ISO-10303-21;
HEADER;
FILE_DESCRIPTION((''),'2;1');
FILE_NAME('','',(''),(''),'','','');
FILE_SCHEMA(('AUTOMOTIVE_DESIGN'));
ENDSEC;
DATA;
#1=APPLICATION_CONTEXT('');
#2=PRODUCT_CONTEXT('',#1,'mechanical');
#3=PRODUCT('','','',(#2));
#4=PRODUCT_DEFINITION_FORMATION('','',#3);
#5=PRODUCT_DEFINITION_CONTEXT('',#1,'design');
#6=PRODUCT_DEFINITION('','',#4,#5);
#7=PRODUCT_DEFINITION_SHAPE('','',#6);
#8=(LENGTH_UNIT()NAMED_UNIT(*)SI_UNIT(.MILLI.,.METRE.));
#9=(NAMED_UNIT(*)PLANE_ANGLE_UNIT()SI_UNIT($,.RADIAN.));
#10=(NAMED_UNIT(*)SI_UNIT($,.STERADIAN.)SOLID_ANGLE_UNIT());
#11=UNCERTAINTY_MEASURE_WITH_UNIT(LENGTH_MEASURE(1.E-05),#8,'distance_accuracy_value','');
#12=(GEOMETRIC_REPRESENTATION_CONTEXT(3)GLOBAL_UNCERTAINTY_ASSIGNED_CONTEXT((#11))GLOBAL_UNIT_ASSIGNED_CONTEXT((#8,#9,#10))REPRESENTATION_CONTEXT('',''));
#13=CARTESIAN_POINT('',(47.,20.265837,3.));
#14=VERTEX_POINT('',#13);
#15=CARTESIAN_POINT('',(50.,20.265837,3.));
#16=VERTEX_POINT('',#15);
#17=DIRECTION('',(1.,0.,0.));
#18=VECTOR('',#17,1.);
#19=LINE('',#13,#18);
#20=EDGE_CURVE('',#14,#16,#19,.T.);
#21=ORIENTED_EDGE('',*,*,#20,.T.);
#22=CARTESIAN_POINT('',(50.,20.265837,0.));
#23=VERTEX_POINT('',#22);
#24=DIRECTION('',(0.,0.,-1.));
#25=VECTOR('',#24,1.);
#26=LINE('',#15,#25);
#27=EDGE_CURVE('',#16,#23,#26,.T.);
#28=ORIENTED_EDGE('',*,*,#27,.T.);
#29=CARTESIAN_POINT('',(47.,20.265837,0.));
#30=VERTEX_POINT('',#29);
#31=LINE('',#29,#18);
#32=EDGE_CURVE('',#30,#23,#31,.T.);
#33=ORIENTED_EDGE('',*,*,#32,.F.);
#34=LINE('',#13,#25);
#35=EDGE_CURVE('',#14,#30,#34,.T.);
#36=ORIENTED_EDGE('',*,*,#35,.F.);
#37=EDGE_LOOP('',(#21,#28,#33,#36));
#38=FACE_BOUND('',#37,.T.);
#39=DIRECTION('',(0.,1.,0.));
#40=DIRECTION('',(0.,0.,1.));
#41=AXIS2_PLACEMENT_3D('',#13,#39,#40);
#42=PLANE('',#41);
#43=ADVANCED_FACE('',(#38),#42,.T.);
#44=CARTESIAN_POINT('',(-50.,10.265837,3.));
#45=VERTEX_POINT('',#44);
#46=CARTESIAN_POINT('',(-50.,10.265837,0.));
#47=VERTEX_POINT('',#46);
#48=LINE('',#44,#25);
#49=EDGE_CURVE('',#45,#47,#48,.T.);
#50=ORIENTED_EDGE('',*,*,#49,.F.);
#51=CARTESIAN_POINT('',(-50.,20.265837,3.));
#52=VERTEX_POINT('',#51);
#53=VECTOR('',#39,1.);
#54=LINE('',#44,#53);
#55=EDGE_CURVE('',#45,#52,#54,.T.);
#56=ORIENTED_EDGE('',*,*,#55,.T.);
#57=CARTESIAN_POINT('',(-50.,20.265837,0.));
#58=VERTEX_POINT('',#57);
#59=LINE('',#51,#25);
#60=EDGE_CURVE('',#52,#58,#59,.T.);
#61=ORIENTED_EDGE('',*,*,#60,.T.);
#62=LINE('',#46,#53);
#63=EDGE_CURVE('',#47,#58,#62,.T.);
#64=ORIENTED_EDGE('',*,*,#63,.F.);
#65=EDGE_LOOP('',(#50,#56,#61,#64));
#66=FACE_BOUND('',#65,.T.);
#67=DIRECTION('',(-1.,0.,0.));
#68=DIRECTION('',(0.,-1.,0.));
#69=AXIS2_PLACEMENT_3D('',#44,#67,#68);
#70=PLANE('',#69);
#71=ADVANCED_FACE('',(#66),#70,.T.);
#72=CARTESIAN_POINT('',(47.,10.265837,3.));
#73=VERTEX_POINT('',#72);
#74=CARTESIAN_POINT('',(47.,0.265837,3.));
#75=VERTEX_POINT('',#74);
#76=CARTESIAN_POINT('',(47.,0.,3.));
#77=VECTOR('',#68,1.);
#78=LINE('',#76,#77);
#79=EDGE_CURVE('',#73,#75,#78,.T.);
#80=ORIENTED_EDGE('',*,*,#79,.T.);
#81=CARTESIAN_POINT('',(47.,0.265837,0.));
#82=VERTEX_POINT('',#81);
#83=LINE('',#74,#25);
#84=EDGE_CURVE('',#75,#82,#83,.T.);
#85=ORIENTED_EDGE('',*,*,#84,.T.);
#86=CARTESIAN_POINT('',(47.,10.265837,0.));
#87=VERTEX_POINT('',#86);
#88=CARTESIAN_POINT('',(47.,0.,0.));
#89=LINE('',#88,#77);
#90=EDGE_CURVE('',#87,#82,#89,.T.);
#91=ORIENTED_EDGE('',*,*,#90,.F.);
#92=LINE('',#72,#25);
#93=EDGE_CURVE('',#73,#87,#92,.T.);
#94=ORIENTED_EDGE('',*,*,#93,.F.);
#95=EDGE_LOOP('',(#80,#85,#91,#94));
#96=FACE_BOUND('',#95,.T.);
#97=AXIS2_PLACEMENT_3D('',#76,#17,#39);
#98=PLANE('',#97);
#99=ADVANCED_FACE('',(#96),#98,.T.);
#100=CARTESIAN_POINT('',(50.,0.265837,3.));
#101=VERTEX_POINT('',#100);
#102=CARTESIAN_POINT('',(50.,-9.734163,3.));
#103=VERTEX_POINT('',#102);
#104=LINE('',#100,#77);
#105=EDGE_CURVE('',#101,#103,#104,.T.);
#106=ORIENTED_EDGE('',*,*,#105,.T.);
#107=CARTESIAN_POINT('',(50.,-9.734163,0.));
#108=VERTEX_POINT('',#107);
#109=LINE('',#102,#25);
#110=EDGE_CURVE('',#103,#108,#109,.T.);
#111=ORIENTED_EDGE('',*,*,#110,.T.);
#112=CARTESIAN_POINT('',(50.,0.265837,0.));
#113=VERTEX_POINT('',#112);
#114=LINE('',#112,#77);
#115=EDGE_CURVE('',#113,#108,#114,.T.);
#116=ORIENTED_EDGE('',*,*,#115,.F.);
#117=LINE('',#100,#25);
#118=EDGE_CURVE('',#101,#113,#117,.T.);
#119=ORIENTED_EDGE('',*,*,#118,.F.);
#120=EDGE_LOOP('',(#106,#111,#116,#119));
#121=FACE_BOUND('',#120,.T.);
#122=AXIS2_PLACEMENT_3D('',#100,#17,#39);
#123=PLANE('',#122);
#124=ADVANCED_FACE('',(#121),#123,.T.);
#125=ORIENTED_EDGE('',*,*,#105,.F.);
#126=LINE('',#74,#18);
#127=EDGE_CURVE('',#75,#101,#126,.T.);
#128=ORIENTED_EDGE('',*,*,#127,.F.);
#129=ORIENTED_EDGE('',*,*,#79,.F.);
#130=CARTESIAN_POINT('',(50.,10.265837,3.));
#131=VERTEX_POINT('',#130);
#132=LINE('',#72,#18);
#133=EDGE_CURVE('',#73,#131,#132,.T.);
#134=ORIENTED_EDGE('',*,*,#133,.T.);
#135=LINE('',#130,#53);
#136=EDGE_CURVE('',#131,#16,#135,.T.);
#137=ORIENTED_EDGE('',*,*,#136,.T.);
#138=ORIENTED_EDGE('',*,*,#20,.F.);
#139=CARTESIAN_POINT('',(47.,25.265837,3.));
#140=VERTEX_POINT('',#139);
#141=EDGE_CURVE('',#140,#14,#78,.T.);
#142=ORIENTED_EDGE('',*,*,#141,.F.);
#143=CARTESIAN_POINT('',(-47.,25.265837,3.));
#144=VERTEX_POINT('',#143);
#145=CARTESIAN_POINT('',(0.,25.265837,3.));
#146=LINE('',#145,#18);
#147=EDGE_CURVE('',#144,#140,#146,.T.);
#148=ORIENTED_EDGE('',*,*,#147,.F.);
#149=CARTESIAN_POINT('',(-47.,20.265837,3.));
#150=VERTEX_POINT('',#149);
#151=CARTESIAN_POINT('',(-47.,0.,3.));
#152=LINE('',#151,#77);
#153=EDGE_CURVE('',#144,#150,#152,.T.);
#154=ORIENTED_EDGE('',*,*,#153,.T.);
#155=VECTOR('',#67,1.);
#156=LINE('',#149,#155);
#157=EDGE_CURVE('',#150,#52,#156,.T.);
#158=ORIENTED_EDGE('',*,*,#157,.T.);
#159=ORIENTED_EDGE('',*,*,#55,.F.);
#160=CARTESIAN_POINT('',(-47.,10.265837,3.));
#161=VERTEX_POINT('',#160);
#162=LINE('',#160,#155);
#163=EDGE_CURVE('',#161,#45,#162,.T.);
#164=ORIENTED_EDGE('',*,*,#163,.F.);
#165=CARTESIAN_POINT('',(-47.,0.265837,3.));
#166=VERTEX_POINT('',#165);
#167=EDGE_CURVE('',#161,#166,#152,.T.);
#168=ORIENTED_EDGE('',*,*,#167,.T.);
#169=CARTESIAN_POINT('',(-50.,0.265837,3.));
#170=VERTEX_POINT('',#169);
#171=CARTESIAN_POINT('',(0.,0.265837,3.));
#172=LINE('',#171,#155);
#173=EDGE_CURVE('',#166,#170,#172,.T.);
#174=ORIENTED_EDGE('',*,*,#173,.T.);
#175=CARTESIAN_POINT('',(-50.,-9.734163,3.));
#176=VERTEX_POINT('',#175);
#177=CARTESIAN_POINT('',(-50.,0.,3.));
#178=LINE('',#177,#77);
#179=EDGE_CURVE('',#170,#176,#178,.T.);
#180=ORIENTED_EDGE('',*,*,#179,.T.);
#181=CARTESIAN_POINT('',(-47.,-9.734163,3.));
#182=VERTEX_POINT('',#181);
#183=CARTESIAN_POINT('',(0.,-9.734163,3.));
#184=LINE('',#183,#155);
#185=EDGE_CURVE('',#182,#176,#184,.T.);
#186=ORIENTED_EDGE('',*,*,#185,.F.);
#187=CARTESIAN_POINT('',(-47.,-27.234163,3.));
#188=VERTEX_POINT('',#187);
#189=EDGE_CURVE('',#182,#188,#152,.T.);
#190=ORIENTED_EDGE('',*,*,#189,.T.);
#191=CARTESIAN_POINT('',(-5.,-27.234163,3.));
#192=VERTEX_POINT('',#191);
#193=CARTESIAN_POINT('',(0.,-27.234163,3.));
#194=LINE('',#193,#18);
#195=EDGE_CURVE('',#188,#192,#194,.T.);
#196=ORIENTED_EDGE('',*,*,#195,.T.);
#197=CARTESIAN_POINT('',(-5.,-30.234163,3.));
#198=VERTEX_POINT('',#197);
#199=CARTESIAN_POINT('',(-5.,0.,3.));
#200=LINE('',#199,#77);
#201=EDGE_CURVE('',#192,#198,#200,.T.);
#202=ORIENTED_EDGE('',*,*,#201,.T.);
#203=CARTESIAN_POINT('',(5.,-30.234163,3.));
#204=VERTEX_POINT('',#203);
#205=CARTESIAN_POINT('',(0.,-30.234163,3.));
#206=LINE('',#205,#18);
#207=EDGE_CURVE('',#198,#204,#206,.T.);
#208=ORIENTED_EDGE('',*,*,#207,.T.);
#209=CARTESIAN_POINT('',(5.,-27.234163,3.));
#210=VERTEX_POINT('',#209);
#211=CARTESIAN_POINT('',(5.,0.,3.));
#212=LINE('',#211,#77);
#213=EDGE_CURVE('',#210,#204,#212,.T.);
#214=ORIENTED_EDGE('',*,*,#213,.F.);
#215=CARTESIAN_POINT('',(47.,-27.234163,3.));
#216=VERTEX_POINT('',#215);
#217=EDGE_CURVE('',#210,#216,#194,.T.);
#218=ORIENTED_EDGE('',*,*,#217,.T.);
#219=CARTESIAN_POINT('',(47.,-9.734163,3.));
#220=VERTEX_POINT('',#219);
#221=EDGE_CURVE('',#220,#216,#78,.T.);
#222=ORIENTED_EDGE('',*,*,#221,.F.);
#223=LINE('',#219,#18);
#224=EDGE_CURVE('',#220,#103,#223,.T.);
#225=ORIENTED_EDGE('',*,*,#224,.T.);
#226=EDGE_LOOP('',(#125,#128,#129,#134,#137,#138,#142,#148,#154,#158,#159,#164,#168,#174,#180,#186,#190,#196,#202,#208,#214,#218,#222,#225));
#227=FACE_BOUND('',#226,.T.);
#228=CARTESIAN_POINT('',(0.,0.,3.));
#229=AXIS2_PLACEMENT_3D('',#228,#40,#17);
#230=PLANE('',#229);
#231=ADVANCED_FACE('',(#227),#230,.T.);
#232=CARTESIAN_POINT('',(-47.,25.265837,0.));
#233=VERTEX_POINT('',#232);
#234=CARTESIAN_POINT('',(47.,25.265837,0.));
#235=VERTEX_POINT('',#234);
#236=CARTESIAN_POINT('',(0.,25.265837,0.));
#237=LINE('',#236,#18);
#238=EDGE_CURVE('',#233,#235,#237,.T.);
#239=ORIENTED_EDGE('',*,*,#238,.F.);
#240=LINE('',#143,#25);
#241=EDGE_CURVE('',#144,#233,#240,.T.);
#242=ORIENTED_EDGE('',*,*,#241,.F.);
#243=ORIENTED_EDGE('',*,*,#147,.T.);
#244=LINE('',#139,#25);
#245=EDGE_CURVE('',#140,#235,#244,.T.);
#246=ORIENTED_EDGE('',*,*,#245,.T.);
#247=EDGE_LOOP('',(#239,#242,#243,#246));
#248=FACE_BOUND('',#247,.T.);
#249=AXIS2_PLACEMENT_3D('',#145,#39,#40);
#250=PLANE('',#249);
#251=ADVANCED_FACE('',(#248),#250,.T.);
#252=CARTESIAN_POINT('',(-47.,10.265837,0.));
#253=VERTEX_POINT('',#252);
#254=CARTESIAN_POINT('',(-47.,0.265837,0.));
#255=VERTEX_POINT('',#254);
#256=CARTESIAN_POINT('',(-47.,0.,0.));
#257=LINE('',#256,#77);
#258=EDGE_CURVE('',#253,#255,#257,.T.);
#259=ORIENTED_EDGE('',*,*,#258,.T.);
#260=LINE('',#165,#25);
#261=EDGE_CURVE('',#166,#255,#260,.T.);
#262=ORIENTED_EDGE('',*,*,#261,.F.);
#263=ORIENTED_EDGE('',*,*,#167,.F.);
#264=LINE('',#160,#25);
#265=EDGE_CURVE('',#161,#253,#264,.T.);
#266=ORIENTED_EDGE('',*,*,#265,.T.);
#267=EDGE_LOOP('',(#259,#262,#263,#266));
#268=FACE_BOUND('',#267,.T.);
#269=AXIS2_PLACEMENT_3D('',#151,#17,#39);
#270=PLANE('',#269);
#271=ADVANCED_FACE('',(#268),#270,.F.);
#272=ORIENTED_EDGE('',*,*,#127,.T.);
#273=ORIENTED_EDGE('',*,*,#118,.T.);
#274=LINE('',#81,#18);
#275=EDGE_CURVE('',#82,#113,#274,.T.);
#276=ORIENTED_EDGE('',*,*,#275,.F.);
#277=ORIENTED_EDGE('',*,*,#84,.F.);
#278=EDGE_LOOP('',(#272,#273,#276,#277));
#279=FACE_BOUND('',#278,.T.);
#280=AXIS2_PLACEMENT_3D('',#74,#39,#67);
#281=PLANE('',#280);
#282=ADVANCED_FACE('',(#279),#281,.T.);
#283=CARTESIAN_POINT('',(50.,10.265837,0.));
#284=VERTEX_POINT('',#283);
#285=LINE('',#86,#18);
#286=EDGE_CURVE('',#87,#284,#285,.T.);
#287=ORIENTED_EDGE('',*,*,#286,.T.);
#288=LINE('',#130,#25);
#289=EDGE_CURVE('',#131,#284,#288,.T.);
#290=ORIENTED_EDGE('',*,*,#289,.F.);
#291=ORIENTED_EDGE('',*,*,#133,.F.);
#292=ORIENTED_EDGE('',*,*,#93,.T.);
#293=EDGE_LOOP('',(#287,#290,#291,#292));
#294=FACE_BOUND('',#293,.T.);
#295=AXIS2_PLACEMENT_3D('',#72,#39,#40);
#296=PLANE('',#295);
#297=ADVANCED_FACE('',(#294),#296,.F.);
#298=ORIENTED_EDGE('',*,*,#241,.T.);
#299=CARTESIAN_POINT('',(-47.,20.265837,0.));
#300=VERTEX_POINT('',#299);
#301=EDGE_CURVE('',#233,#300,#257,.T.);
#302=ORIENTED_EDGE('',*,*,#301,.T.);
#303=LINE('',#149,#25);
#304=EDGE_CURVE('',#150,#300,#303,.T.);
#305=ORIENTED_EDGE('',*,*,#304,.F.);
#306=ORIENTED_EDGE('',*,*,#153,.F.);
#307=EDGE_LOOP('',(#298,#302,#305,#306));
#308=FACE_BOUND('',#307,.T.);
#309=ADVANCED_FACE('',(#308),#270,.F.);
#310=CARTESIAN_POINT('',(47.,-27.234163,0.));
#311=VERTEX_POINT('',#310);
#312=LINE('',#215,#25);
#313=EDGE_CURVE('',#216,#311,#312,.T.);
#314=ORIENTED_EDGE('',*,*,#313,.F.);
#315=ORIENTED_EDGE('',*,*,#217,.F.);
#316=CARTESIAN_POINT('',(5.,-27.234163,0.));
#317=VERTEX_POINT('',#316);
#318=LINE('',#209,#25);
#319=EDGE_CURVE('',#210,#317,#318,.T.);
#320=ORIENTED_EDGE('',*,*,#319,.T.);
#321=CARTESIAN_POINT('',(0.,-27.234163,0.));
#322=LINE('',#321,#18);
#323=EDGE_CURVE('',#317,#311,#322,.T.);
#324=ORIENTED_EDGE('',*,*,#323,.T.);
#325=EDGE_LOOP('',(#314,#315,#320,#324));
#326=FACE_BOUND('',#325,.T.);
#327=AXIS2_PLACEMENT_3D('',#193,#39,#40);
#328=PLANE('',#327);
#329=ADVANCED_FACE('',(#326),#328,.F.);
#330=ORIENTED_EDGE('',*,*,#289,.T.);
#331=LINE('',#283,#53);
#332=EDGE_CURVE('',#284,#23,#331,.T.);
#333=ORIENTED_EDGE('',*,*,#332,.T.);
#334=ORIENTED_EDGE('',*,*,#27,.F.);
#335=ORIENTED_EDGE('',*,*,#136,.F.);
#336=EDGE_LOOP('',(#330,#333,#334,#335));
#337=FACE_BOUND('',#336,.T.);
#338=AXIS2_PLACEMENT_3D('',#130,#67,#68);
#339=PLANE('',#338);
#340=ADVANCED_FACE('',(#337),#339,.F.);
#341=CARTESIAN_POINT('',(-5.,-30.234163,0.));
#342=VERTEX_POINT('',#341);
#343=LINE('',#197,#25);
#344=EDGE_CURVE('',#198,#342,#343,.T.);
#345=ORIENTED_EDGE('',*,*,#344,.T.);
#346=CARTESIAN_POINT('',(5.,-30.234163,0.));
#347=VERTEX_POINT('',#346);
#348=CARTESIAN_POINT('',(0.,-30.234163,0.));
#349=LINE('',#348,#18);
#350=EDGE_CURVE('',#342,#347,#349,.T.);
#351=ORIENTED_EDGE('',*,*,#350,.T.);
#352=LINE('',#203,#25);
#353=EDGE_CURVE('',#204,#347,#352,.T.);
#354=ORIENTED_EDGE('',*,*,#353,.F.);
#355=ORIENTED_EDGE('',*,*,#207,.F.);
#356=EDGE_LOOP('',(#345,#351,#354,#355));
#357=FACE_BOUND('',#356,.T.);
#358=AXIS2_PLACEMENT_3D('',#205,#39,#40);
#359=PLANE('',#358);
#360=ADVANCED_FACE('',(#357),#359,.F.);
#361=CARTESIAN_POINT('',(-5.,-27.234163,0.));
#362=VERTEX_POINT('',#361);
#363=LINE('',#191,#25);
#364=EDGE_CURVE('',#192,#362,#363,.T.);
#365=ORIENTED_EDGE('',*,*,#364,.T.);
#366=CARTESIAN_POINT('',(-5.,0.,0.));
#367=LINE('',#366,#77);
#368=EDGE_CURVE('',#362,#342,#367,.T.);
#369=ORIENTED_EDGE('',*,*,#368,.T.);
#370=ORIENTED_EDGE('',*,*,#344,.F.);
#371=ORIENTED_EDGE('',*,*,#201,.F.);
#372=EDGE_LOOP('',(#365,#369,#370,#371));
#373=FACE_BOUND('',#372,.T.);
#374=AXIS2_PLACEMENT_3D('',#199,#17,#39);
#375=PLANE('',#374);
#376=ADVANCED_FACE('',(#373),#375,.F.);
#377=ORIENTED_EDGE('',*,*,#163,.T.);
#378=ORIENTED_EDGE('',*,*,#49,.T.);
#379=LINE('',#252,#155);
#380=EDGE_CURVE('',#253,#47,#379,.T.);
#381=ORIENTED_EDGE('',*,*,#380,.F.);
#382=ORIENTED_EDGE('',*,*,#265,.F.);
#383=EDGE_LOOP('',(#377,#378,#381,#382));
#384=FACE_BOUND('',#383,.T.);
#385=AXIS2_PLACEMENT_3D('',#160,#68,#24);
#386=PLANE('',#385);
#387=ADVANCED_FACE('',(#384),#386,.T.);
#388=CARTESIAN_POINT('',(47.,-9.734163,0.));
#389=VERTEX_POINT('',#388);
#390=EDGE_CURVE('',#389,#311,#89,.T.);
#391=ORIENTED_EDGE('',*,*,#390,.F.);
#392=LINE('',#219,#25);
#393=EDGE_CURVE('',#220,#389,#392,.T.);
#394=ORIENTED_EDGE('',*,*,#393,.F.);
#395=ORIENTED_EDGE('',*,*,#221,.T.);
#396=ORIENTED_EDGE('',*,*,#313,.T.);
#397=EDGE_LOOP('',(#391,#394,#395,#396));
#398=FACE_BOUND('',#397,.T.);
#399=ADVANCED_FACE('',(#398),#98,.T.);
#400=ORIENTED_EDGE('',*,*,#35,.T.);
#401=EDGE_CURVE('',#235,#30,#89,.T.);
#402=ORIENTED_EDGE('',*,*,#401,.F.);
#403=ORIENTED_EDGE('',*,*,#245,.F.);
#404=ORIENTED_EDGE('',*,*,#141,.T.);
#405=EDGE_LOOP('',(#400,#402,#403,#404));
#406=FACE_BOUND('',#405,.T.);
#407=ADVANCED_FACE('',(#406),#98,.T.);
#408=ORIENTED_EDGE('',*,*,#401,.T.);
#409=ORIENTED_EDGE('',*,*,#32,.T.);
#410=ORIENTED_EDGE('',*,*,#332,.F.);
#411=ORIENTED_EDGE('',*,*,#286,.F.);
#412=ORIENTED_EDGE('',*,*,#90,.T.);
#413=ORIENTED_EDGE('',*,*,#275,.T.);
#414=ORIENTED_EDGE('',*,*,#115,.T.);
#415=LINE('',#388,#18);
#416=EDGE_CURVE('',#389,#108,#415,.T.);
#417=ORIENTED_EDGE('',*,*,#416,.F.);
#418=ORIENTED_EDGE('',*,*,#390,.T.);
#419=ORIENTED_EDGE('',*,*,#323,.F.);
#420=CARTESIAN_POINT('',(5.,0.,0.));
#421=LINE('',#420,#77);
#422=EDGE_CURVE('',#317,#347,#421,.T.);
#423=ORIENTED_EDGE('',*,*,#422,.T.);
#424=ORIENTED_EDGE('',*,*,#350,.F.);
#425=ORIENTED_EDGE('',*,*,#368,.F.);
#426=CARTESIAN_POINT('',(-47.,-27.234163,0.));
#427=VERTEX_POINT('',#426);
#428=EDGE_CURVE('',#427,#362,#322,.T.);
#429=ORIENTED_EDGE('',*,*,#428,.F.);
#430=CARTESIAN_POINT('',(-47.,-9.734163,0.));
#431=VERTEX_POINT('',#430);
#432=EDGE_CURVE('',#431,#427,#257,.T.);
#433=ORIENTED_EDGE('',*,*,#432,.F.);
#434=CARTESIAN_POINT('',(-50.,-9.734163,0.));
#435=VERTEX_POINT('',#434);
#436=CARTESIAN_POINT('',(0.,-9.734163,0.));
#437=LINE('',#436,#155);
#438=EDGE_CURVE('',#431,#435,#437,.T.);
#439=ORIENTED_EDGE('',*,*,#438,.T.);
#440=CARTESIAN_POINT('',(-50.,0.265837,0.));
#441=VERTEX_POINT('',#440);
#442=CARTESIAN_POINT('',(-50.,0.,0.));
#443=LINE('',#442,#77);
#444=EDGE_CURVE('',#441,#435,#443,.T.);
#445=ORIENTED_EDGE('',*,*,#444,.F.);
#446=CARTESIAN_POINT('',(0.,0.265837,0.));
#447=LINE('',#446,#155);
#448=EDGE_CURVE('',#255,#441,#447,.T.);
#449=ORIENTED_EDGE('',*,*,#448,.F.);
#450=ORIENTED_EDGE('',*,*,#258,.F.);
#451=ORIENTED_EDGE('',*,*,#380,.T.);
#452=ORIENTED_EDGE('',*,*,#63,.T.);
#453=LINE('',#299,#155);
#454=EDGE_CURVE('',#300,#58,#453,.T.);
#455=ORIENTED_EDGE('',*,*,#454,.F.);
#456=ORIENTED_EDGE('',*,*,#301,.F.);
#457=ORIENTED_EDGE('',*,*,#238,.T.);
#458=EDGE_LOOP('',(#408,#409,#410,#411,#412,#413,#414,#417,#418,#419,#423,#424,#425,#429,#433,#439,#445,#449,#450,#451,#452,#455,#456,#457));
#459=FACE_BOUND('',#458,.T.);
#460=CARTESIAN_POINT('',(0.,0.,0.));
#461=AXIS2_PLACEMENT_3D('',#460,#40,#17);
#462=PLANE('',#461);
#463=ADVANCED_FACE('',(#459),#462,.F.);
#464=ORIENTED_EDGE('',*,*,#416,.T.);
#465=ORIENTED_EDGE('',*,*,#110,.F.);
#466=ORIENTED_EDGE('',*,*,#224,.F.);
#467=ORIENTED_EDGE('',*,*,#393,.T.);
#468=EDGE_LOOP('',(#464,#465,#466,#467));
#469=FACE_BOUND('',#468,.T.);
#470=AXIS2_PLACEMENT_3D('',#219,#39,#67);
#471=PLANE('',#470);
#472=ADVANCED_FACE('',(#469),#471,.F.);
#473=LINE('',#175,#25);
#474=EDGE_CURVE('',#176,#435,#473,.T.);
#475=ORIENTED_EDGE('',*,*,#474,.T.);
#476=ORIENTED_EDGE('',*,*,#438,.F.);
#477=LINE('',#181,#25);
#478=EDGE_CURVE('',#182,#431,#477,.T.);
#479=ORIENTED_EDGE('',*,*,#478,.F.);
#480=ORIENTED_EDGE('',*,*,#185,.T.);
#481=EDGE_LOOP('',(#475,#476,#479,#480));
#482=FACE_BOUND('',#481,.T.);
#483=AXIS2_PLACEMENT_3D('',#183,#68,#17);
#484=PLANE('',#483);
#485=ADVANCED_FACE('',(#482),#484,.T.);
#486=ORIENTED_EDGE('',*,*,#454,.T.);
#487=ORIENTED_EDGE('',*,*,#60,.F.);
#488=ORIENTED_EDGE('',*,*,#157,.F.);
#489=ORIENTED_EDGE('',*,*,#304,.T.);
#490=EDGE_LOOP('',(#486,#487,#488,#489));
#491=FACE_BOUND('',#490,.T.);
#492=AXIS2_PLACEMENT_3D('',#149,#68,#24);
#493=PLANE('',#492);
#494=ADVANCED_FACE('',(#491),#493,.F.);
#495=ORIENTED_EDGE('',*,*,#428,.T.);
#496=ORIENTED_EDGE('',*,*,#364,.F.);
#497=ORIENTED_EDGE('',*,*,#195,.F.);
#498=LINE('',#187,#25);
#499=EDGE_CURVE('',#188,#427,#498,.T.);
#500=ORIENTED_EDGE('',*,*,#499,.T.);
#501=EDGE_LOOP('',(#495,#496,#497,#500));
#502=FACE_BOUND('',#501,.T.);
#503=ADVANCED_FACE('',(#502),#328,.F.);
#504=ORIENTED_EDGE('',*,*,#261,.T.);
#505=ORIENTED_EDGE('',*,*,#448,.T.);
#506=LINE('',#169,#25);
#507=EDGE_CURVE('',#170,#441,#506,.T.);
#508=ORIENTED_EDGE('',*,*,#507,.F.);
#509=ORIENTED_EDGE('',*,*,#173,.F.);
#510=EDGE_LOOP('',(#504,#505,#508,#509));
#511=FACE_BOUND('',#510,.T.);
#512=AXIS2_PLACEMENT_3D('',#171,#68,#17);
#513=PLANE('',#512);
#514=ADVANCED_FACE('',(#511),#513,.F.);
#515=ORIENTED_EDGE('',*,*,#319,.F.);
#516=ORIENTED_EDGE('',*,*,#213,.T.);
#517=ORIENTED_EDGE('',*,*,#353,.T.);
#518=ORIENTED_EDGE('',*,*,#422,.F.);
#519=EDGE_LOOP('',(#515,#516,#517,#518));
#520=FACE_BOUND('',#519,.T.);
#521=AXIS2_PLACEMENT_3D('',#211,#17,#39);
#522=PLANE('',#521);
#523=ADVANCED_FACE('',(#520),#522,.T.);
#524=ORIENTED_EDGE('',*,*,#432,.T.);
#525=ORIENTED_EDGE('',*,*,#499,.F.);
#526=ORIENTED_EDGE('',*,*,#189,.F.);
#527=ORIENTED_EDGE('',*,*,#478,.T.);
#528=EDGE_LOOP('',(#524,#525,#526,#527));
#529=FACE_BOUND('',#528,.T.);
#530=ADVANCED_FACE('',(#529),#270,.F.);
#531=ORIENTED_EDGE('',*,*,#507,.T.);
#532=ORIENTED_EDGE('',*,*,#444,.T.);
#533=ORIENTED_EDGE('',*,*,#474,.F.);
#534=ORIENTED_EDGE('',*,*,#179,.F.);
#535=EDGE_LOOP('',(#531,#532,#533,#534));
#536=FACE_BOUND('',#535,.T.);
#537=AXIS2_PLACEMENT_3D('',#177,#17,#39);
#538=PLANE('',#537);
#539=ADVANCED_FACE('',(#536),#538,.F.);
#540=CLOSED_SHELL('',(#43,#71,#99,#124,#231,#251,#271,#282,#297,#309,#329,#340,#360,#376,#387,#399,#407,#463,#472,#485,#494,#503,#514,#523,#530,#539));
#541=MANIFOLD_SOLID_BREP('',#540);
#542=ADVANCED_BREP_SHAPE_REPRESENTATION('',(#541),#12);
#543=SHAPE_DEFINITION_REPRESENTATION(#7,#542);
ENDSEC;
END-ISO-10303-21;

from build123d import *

# Parameters (mm, degrees)
SKETCH_1_W      = 3
SKETCH_1_H      = 10
SKETCH_1_W_2    = 5
SKETCH_1_H_2    = 3
EXTRUDE_1_DEPTH = 3


with BuildPart() as part:
    # 草圖1 → 填料-伸長1 (new body)
    with BuildSketch(Plane.XY):
        with Locations((-48.5, -4.734163056)):
            Rectangle(SKETCH_1_W, SKETCH_1_H)
        Polygon((-5, -27.234163056), (0, -27.234163056), (5, -27.234163056), (47, -27.234163056), (47, -9.734163056), (47, 0.265836944), (47, 10.265836944), (47, 20.265836944), (47, 25.265836944), (-47, 25.265836944), (-47, 20.265836944), (-47, 10.265836944), (-47, 0.265836944), (-47, -9.734163056), (-47, -27.234163056), align=None)
        with Locations((-2.5, -28.734163056)):
            Rectangle(SKETCH_1_W_2, SKETCH_1_H_2)
        with Locations((2.5, -28.734163056)):
            Rectangle(SKETCH_1_W_2, SKETCH_1_H_2)
        with Locations((-48.5, 15.265836944)):
            Rectangle(SKETCH_1_W, SKETCH_1_H)
        with Locations((48.5, 15.265836944)):
            Rectangle(SKETCH_1_W, SKETCH_1_H)
        with Locations((48.5, -4.734163056)):
            Rectangle(SKETCH_1_W, SKETCH_1_H)
    extrude(amount=EXTRUDE_1_DEPTH)


solid = part.part
